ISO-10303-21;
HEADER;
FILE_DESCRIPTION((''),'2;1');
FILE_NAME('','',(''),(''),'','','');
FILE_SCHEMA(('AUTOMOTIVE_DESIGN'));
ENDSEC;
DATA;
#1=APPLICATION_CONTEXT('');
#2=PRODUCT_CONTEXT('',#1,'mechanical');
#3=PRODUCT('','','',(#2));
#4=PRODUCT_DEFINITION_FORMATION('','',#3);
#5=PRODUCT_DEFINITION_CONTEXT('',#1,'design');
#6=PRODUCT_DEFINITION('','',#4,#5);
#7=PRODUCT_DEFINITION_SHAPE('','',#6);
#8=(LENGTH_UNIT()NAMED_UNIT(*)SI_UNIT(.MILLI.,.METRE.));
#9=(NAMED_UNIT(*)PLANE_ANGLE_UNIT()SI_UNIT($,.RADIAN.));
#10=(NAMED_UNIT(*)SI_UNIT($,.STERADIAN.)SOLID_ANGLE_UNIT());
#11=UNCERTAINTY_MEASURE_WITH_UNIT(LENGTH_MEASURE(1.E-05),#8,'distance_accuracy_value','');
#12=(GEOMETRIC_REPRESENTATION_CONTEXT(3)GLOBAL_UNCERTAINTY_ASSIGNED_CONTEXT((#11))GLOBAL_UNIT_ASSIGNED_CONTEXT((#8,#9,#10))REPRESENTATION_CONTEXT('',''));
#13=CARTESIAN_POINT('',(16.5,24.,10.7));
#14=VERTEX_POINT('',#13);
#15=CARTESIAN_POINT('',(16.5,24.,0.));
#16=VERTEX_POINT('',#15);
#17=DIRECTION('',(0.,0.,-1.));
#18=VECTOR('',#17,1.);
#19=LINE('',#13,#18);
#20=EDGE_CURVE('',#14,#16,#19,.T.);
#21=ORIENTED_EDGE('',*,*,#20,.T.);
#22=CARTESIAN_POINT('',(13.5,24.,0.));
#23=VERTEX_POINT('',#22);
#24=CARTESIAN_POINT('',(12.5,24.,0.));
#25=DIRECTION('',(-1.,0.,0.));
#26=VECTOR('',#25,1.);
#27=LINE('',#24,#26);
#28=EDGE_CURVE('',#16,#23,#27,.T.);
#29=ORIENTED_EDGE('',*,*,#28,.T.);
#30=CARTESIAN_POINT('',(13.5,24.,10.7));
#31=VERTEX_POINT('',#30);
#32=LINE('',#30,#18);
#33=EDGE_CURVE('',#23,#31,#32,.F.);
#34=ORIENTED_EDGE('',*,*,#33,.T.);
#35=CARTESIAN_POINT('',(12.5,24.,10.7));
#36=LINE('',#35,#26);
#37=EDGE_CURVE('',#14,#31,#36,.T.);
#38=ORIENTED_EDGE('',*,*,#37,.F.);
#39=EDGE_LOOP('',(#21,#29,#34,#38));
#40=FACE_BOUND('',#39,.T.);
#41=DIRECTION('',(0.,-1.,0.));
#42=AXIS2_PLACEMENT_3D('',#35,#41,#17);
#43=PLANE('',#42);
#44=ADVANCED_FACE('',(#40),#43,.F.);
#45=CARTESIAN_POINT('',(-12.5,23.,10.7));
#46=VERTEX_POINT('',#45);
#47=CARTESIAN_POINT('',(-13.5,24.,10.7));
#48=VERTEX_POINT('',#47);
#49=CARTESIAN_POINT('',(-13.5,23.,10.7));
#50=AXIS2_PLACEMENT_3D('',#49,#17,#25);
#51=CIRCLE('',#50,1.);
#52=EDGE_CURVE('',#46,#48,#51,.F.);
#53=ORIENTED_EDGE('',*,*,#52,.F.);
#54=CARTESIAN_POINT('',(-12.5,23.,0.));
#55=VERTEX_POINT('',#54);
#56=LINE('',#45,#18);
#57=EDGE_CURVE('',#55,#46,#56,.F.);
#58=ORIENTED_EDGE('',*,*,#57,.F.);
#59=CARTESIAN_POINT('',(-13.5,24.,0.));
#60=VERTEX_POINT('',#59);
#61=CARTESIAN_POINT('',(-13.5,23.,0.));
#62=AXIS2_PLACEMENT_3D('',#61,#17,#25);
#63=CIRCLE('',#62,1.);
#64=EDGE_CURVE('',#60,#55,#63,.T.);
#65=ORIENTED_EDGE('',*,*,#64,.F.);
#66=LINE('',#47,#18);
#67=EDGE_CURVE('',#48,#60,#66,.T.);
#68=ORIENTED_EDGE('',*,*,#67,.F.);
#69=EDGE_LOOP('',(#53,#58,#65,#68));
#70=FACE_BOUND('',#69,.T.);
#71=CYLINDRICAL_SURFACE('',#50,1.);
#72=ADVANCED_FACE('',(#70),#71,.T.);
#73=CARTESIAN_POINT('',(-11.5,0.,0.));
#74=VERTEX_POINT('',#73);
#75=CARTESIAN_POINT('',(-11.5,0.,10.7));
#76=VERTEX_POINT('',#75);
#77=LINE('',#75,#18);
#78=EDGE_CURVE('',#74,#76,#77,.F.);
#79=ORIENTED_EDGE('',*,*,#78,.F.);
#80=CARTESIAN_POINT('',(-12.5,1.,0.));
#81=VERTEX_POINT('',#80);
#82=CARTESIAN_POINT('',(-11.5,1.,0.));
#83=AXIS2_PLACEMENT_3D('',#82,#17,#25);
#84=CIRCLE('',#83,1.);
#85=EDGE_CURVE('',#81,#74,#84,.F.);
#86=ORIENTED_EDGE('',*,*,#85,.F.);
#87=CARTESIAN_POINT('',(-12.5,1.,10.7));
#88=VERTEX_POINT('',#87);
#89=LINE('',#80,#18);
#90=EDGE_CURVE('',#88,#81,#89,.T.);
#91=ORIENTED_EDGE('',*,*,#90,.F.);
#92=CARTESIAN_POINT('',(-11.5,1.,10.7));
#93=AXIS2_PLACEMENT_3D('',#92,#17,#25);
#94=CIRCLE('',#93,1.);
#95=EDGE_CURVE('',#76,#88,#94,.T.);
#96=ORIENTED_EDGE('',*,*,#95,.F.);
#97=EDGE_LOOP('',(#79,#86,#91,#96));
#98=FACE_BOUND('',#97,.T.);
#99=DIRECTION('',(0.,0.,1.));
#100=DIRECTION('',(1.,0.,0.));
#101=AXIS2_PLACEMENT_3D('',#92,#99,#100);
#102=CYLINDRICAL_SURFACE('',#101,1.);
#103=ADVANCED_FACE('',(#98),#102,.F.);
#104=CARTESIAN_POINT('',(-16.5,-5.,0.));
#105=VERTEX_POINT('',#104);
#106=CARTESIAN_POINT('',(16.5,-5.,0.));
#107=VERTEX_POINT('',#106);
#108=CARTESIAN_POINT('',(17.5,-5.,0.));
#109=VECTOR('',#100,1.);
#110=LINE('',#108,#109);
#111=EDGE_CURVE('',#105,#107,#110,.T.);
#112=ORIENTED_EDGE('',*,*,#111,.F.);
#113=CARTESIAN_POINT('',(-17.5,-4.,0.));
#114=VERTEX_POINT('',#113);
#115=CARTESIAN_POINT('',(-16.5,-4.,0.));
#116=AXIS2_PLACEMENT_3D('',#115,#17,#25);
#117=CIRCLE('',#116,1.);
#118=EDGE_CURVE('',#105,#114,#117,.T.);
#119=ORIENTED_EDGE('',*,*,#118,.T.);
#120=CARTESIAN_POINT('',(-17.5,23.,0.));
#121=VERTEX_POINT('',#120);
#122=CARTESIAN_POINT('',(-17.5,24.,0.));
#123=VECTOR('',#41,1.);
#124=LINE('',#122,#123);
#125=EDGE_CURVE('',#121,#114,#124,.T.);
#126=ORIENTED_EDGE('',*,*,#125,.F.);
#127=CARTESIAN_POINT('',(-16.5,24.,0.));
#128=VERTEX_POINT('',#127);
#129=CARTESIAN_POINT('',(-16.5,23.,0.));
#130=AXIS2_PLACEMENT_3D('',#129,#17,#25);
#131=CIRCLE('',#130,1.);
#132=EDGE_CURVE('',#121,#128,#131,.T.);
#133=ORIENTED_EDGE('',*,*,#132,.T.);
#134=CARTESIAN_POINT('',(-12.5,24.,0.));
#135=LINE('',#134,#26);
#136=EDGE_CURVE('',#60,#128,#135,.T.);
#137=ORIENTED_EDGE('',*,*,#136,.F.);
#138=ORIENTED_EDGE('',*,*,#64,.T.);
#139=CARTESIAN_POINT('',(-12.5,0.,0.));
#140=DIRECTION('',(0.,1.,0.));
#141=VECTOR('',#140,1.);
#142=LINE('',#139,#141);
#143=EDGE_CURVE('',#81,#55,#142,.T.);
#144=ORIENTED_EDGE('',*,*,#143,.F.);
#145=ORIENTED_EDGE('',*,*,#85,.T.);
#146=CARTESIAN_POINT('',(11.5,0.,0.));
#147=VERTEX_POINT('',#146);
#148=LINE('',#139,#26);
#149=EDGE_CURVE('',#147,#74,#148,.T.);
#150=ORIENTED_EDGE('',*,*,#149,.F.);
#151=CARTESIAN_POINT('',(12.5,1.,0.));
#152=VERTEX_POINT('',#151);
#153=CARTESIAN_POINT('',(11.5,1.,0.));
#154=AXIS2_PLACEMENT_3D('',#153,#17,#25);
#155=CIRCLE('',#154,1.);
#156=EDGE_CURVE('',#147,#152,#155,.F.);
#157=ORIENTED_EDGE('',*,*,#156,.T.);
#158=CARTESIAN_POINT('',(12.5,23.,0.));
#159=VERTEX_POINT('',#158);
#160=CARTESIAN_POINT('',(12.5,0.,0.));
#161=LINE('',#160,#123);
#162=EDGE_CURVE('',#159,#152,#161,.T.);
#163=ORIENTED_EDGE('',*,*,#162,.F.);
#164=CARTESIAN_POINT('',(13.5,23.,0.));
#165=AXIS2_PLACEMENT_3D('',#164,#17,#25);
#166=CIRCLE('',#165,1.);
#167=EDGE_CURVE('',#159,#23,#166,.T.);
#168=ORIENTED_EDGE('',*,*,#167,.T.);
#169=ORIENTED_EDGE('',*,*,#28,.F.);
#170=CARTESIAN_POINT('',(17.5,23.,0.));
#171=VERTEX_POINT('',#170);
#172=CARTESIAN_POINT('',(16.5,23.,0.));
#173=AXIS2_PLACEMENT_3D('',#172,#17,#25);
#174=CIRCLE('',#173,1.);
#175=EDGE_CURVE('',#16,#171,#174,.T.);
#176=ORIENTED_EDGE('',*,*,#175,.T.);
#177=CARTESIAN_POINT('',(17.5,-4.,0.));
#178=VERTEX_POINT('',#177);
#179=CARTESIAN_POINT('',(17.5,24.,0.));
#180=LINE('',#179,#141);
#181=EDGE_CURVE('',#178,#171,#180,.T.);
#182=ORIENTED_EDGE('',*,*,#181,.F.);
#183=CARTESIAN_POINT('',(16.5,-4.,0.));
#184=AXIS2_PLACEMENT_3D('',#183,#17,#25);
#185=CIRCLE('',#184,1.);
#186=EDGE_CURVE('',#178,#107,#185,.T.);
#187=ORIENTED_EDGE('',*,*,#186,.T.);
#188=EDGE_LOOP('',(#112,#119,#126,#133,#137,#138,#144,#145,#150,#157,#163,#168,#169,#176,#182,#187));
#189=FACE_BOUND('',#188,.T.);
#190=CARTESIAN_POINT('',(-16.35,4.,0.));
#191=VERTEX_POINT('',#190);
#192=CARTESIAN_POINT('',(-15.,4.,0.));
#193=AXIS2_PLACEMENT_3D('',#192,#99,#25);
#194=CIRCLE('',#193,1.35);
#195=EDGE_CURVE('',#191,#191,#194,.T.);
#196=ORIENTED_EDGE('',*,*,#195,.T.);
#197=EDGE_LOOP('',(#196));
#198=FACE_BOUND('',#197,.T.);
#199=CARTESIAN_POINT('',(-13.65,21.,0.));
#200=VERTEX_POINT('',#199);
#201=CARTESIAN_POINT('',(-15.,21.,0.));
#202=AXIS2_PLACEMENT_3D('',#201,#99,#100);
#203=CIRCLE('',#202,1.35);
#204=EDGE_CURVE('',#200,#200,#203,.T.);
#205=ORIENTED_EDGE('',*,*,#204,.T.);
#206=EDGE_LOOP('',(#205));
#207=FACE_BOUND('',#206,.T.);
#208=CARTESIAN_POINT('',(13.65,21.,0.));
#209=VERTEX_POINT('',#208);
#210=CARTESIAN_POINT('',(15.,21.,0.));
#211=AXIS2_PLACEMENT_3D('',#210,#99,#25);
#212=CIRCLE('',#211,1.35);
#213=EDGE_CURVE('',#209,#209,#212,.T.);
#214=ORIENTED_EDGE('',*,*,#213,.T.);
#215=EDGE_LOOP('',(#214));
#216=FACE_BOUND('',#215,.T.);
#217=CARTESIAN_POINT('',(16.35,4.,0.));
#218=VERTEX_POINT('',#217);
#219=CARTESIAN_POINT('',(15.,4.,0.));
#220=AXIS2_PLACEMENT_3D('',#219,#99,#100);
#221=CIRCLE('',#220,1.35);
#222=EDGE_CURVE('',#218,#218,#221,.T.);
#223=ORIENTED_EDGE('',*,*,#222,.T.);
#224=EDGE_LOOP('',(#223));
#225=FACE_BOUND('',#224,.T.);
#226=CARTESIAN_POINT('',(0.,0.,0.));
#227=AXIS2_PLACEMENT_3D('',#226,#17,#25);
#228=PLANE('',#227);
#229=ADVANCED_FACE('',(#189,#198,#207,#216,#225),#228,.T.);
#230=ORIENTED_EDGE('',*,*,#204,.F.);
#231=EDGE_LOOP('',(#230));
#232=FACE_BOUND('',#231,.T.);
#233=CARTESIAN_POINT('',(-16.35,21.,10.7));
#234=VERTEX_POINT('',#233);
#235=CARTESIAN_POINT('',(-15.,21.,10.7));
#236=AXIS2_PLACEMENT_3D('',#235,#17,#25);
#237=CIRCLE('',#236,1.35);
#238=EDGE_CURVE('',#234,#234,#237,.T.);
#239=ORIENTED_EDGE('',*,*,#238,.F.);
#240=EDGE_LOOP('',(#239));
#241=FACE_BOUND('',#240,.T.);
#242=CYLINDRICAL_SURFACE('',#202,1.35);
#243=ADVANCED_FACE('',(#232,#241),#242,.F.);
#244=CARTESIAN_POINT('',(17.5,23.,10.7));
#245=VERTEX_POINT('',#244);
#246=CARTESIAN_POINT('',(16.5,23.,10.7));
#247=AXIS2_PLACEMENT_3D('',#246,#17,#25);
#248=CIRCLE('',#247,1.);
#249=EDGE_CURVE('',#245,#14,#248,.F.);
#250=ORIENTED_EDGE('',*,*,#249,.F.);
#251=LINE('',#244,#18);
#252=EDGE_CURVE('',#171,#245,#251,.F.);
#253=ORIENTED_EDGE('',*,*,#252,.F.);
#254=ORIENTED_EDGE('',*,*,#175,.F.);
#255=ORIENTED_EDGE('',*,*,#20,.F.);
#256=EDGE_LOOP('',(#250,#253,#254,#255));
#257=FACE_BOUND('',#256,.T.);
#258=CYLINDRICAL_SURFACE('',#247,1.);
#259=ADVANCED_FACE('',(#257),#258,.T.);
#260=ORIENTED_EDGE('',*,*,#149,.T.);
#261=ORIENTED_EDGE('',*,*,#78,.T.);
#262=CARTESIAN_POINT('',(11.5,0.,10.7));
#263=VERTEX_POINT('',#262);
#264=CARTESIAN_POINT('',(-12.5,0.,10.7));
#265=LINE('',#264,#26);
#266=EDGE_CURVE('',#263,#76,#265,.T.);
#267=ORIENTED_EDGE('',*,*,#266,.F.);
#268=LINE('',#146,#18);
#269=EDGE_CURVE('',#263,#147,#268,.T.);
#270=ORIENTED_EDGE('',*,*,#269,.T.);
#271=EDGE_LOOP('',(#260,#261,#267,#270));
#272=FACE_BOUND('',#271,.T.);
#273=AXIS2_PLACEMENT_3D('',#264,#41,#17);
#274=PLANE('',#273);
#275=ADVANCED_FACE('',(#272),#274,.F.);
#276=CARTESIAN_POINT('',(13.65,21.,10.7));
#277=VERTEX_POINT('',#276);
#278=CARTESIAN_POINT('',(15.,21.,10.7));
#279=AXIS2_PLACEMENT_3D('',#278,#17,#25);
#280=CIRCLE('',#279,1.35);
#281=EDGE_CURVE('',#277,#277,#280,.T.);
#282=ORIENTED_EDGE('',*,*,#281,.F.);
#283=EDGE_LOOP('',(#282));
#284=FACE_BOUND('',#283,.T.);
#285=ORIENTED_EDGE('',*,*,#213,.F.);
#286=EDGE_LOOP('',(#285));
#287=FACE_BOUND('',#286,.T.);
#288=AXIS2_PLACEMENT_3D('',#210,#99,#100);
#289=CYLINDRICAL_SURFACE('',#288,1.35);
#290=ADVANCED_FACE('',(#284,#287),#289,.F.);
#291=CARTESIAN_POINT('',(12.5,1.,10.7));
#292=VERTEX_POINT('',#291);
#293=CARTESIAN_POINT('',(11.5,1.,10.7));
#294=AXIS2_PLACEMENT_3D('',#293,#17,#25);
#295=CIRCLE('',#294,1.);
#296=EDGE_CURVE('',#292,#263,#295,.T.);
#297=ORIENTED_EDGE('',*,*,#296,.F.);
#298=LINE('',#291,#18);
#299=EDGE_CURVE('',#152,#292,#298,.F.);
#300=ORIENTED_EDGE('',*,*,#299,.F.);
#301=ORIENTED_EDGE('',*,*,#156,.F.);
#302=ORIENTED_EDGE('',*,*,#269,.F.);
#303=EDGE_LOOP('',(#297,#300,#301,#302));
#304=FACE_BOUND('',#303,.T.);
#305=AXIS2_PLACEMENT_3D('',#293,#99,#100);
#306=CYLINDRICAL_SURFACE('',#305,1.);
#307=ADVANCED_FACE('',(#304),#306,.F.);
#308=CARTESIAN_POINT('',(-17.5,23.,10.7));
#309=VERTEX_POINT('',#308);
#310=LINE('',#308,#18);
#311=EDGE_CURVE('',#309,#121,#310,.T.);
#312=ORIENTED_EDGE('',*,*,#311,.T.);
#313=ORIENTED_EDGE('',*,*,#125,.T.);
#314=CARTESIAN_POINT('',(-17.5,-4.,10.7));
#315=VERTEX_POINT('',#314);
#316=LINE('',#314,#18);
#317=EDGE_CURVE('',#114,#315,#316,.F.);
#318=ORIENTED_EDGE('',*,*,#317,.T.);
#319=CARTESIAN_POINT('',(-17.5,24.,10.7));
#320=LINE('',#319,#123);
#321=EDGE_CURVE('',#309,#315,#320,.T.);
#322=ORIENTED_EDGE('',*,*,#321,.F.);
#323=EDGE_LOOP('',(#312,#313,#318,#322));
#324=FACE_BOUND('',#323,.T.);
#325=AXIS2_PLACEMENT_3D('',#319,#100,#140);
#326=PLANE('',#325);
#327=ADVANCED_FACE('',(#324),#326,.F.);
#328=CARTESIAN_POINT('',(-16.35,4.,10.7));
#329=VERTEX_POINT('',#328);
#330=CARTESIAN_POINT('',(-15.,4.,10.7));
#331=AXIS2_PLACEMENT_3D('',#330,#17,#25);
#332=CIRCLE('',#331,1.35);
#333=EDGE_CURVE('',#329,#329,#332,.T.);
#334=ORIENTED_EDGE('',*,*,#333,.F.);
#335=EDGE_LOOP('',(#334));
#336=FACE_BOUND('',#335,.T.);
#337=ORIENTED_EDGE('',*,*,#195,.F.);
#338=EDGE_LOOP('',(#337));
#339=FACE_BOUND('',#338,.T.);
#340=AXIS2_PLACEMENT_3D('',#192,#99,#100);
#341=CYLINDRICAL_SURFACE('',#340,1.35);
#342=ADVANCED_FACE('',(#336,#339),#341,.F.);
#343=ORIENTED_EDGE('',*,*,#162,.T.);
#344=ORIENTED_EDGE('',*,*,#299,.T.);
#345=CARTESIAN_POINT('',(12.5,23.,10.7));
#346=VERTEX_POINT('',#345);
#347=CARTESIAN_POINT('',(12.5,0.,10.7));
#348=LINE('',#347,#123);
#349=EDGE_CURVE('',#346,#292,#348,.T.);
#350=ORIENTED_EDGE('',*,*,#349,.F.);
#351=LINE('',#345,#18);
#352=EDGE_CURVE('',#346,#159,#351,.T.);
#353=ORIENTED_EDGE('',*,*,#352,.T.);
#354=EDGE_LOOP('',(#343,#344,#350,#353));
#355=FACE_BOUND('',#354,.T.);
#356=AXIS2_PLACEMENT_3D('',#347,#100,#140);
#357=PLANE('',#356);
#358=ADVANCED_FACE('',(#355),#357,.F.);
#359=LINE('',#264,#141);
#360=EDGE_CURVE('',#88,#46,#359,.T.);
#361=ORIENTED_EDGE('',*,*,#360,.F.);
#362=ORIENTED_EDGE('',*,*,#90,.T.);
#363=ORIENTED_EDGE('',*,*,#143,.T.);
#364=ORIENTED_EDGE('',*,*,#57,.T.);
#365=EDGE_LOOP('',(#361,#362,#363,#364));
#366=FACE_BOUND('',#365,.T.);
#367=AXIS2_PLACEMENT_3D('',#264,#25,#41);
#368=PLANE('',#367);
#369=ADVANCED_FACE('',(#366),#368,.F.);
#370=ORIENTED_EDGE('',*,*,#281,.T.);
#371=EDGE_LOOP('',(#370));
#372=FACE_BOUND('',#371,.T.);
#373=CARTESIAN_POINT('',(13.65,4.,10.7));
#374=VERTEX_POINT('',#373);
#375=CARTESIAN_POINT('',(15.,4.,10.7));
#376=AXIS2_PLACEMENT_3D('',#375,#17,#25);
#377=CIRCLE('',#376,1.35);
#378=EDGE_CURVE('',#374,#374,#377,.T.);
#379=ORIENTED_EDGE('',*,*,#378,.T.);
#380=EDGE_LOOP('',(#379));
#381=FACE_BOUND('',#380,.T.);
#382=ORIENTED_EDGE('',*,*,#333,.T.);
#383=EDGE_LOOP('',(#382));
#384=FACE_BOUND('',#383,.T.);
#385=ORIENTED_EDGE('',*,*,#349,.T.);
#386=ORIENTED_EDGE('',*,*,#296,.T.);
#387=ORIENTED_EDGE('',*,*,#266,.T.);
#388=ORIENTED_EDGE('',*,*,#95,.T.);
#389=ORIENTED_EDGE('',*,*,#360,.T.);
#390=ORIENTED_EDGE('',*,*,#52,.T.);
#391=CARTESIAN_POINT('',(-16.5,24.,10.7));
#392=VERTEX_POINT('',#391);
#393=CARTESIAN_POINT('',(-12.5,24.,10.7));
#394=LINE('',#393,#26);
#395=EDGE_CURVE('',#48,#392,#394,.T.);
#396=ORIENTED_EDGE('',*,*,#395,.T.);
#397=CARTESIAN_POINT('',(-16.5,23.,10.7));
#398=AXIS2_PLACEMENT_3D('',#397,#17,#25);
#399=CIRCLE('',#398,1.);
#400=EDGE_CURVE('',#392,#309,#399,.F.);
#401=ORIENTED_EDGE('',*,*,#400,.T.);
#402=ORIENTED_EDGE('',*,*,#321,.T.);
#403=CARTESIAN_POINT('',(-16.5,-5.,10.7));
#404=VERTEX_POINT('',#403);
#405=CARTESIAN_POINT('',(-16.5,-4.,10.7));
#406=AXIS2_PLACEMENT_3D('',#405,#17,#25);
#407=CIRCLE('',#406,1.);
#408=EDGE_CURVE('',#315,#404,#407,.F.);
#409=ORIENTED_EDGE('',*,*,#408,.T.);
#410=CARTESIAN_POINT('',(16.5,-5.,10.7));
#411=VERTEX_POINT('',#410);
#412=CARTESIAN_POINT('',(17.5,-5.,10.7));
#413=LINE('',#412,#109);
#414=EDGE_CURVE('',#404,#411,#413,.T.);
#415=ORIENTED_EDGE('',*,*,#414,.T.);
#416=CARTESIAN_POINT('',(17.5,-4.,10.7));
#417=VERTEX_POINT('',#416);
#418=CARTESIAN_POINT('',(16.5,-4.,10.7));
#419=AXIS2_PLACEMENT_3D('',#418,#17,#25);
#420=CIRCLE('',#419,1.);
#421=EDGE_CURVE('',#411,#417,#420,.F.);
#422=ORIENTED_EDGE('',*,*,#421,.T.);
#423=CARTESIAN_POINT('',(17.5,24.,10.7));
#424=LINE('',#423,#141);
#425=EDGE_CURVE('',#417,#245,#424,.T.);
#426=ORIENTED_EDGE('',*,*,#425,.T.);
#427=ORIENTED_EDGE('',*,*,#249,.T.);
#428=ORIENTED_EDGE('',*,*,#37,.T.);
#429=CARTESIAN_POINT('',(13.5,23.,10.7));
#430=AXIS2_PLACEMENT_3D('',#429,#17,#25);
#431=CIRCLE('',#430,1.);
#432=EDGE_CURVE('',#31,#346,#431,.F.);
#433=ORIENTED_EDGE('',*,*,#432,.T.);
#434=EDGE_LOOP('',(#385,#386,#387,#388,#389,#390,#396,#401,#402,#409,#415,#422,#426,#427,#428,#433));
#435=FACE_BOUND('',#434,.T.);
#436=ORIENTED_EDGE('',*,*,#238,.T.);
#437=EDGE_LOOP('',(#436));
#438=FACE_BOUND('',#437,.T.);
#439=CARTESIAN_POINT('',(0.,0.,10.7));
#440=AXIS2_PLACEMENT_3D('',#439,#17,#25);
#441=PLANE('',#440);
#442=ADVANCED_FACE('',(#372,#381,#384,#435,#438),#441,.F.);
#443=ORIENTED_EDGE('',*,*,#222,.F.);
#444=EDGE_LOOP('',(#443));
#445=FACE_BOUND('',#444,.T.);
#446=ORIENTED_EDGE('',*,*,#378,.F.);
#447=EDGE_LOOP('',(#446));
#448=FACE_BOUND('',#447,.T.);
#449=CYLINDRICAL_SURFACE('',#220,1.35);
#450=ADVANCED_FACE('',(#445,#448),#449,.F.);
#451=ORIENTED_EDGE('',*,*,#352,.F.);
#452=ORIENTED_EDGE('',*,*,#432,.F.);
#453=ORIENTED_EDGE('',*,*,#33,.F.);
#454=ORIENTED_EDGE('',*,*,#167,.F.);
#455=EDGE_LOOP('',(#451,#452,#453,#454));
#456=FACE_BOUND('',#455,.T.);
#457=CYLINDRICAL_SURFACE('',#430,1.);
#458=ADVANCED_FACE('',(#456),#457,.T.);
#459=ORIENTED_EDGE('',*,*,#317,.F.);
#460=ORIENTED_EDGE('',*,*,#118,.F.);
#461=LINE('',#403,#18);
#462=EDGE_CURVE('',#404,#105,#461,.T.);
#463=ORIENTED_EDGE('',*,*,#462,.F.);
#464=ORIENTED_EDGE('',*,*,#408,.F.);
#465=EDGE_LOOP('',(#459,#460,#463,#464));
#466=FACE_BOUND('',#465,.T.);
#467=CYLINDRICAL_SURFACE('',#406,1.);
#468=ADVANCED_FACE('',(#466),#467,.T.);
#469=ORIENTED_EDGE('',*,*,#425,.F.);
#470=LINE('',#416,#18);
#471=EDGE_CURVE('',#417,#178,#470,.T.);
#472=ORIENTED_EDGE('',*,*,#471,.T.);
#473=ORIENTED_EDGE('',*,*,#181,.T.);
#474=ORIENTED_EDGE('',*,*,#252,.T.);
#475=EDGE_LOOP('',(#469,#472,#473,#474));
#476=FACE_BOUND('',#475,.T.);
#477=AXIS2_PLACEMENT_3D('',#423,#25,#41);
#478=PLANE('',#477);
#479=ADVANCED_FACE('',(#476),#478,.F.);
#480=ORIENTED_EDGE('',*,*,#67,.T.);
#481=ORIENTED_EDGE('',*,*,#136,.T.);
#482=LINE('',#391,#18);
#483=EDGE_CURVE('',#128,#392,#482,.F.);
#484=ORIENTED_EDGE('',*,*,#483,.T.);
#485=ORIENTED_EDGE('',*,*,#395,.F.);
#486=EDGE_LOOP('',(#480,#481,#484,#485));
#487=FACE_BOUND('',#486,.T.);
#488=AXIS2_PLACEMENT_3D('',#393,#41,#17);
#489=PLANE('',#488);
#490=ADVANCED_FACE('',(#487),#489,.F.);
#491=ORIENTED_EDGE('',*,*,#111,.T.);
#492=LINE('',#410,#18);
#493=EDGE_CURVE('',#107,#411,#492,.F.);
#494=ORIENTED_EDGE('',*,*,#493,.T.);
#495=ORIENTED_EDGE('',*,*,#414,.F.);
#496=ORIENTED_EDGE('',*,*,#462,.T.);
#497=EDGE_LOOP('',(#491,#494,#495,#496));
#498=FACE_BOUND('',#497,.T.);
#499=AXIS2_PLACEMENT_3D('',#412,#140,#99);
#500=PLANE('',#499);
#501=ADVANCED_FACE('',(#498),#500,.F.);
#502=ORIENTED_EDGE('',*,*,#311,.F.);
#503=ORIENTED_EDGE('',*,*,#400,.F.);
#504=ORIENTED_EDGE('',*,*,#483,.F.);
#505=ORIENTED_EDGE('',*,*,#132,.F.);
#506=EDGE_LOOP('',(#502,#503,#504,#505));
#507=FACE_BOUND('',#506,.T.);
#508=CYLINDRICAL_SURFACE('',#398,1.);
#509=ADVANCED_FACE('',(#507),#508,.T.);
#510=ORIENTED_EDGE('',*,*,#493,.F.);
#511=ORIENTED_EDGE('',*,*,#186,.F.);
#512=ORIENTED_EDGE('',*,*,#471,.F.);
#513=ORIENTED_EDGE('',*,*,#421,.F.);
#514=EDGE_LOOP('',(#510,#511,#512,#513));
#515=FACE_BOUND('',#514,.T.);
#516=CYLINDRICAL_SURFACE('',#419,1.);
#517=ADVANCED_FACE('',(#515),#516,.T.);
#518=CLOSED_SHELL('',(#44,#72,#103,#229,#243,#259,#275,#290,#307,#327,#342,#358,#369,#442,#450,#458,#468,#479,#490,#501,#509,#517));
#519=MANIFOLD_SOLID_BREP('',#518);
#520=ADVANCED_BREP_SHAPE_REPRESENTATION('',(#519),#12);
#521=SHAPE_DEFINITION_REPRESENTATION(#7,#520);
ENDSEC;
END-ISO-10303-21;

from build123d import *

# Parameters (mm, degrees)
BOSS_EXTRU_1_DEPTH           = 10.7
ESQUISSE2_R                  = 1.35
ENL_V_MAT_EXTRU_1_DEPTH      = 1
ENL_V_MAT_EXTRU_1_DEPTH_BACK = 11.7
CONG_1_R                     = 1


with BuildPart() as part:
    # Esquisse1 → Boss.-Extru.1 (new body)
    with BuildSketch(Plane.XY):
        Polygon((-12.5, 0), (12.5, 0), (12.5, 24), (17.5, 24), (17.5, -5), (-17.5, -5), (-17.5, 24), (-12.5, 24), align=None)
    extrude(amount=BOSS_EXTRU_1_DEPTH)

    # Esquisse2 → Enlèv. mat.-Extru.1 (cut, two sides)
    with BuildSketch(Plane.XY.offset(10.7)) as enl_v_mat_extru_1_sk:
        with Locations((-15, 21)):
            Circle(ESQUISSE2_R)
        with Locations((-15, 4)):
            Circle(ESQUISSE2_R)
        with Locations((15, 4)):
            Circle(ESQUISSE2_R)
        with Locations((15, 21)):
            Circle(ESQUISSE2_R)
    extrude(amount=ENL_V_MAT_EXTRU_1_DEPTH, mode=Mode.SUBTRACT)
    extrude(enl_v_mat_extru_1_sk.sketch, amount=-ENL_V_MAT_EXTRU_1_DEPTH_BACK, mode=Mode.SUBTRACT)

    # Congé1
    cong_1_edges = [part.edges().sort_by_distance(p)[0] for p in [
        (12.5, 24, 5.35),
        (17.5, 24, 5.35),
        (17.5, -5, 5.35),
        (-17.5, -5, 5.35),
        (-17.5, 24, 5.35),
        (-12.5, 24, 5.35),
        (-12.5, 0, 5.35),
        (12.5, 0, 5.35),
    ]]
    fillet(cong_1_edges, radius=CONG_1_R)


solid = part.part
